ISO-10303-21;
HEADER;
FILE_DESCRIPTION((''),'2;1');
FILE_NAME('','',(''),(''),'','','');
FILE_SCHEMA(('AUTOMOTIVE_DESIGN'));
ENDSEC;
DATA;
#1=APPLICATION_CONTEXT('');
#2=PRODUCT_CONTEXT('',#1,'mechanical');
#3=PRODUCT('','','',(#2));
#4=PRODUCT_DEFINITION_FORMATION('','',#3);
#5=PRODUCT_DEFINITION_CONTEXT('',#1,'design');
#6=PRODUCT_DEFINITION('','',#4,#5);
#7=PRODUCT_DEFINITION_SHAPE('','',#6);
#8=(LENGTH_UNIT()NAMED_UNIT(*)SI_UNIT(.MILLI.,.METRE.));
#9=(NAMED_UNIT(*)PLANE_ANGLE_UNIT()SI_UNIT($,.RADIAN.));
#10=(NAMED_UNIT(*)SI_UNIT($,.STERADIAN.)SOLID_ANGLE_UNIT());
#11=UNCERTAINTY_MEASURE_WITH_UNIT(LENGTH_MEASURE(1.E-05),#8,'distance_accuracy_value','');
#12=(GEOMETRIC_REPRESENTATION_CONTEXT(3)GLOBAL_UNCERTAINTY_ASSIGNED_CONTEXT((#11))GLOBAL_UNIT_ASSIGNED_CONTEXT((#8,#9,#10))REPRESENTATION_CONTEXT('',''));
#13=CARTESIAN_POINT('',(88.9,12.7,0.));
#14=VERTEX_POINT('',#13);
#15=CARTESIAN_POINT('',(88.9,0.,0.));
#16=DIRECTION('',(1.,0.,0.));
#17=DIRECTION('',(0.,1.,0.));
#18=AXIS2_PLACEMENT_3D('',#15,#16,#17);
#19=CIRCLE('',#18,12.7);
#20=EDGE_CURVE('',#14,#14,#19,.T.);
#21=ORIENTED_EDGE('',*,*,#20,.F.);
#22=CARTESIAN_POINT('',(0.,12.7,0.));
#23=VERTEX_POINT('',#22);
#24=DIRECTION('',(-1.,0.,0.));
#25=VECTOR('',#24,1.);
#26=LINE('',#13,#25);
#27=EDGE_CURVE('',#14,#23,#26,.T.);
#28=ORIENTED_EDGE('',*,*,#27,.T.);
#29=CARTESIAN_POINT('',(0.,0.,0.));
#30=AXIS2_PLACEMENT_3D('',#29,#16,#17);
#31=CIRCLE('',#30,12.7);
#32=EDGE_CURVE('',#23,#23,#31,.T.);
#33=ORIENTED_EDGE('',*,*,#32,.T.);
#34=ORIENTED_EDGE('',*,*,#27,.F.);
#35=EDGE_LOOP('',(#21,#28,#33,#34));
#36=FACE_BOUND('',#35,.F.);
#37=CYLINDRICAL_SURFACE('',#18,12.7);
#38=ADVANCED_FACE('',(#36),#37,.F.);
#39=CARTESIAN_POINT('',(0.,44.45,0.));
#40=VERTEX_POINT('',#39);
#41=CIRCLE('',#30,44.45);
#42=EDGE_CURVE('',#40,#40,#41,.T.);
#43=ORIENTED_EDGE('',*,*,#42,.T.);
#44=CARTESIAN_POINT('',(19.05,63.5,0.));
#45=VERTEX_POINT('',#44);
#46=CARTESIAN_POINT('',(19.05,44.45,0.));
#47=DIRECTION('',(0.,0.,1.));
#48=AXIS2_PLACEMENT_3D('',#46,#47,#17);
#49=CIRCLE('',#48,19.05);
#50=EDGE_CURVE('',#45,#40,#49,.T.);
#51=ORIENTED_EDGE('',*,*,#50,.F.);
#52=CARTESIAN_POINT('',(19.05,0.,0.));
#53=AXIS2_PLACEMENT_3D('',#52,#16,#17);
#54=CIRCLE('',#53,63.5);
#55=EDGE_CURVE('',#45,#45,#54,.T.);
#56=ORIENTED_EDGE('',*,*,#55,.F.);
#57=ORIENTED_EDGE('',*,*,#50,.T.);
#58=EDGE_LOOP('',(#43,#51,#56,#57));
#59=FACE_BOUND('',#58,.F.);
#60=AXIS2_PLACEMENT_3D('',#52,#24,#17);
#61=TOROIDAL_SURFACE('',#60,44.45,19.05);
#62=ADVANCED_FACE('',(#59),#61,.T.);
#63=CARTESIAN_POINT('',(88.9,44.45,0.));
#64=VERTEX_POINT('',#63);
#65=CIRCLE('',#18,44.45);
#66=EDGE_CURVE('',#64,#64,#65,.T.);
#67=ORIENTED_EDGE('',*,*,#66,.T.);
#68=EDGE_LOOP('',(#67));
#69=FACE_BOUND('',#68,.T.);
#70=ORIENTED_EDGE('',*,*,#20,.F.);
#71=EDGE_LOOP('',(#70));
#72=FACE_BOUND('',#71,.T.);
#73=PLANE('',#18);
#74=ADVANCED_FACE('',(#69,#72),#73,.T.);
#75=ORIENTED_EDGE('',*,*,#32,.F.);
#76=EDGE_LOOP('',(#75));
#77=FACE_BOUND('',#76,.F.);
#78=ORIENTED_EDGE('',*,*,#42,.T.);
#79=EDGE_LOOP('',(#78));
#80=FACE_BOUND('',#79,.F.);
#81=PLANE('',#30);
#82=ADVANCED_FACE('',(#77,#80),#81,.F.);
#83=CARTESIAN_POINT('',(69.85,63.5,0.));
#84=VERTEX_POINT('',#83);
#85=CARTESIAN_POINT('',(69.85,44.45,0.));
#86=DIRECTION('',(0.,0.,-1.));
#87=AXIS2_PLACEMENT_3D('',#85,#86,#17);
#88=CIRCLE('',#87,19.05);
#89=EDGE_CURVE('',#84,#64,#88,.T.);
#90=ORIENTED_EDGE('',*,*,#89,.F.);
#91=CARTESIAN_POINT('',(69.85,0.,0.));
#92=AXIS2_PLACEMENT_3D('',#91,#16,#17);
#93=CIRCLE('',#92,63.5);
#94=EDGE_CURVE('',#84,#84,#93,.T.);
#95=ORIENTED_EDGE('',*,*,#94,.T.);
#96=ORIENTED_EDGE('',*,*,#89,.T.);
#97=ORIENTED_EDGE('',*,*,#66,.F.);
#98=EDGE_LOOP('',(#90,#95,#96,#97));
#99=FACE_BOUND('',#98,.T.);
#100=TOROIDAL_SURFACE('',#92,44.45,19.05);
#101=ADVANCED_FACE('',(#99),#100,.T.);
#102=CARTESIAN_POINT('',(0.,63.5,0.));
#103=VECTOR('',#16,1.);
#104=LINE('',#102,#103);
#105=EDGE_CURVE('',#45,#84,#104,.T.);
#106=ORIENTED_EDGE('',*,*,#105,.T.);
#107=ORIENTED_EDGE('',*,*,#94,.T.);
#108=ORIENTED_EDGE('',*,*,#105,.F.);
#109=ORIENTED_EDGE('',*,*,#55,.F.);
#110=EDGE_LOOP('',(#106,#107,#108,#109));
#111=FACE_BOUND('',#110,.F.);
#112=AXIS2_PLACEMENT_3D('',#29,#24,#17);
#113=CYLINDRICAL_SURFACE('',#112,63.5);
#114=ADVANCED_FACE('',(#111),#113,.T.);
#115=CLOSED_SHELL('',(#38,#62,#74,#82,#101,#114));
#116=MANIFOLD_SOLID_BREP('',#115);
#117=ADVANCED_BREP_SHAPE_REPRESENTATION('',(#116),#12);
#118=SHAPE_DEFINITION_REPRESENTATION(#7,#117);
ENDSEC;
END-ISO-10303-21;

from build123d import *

# Parameters (mm, degrees)
F0_R     = 63.5
F1_DEPTH = 88.9
F2_R     = 19.05
F3_R     = 12.7
F4_DEPTH = 88.901


with BuildPart() as f1:
    # F0 (on Right) → F1 (new body)
    with BuildSketch(Plane.YZ):
        Circle(F0_R)
    extrude(amount=F1_DEPTH)

    # F2
    f2_edges = [f1.edges().sort_by_distance(p)[0] for p in [
        (0, -63.5, 0),
        (44.45, 63.5, 0),
        (88.9, -63.5, 0),
    ]]
    fillet(f2_edges, radius=F2_R)

    # F3 (on face) → F4 (cut, through all)
    with BuildSketch(Plane.YZ.offset(88.9)):
        Circle(F3_R)
    extrude(amount=-F4_DEPTH, mode=Mode.SUBTRACT)


solid = f1.part
